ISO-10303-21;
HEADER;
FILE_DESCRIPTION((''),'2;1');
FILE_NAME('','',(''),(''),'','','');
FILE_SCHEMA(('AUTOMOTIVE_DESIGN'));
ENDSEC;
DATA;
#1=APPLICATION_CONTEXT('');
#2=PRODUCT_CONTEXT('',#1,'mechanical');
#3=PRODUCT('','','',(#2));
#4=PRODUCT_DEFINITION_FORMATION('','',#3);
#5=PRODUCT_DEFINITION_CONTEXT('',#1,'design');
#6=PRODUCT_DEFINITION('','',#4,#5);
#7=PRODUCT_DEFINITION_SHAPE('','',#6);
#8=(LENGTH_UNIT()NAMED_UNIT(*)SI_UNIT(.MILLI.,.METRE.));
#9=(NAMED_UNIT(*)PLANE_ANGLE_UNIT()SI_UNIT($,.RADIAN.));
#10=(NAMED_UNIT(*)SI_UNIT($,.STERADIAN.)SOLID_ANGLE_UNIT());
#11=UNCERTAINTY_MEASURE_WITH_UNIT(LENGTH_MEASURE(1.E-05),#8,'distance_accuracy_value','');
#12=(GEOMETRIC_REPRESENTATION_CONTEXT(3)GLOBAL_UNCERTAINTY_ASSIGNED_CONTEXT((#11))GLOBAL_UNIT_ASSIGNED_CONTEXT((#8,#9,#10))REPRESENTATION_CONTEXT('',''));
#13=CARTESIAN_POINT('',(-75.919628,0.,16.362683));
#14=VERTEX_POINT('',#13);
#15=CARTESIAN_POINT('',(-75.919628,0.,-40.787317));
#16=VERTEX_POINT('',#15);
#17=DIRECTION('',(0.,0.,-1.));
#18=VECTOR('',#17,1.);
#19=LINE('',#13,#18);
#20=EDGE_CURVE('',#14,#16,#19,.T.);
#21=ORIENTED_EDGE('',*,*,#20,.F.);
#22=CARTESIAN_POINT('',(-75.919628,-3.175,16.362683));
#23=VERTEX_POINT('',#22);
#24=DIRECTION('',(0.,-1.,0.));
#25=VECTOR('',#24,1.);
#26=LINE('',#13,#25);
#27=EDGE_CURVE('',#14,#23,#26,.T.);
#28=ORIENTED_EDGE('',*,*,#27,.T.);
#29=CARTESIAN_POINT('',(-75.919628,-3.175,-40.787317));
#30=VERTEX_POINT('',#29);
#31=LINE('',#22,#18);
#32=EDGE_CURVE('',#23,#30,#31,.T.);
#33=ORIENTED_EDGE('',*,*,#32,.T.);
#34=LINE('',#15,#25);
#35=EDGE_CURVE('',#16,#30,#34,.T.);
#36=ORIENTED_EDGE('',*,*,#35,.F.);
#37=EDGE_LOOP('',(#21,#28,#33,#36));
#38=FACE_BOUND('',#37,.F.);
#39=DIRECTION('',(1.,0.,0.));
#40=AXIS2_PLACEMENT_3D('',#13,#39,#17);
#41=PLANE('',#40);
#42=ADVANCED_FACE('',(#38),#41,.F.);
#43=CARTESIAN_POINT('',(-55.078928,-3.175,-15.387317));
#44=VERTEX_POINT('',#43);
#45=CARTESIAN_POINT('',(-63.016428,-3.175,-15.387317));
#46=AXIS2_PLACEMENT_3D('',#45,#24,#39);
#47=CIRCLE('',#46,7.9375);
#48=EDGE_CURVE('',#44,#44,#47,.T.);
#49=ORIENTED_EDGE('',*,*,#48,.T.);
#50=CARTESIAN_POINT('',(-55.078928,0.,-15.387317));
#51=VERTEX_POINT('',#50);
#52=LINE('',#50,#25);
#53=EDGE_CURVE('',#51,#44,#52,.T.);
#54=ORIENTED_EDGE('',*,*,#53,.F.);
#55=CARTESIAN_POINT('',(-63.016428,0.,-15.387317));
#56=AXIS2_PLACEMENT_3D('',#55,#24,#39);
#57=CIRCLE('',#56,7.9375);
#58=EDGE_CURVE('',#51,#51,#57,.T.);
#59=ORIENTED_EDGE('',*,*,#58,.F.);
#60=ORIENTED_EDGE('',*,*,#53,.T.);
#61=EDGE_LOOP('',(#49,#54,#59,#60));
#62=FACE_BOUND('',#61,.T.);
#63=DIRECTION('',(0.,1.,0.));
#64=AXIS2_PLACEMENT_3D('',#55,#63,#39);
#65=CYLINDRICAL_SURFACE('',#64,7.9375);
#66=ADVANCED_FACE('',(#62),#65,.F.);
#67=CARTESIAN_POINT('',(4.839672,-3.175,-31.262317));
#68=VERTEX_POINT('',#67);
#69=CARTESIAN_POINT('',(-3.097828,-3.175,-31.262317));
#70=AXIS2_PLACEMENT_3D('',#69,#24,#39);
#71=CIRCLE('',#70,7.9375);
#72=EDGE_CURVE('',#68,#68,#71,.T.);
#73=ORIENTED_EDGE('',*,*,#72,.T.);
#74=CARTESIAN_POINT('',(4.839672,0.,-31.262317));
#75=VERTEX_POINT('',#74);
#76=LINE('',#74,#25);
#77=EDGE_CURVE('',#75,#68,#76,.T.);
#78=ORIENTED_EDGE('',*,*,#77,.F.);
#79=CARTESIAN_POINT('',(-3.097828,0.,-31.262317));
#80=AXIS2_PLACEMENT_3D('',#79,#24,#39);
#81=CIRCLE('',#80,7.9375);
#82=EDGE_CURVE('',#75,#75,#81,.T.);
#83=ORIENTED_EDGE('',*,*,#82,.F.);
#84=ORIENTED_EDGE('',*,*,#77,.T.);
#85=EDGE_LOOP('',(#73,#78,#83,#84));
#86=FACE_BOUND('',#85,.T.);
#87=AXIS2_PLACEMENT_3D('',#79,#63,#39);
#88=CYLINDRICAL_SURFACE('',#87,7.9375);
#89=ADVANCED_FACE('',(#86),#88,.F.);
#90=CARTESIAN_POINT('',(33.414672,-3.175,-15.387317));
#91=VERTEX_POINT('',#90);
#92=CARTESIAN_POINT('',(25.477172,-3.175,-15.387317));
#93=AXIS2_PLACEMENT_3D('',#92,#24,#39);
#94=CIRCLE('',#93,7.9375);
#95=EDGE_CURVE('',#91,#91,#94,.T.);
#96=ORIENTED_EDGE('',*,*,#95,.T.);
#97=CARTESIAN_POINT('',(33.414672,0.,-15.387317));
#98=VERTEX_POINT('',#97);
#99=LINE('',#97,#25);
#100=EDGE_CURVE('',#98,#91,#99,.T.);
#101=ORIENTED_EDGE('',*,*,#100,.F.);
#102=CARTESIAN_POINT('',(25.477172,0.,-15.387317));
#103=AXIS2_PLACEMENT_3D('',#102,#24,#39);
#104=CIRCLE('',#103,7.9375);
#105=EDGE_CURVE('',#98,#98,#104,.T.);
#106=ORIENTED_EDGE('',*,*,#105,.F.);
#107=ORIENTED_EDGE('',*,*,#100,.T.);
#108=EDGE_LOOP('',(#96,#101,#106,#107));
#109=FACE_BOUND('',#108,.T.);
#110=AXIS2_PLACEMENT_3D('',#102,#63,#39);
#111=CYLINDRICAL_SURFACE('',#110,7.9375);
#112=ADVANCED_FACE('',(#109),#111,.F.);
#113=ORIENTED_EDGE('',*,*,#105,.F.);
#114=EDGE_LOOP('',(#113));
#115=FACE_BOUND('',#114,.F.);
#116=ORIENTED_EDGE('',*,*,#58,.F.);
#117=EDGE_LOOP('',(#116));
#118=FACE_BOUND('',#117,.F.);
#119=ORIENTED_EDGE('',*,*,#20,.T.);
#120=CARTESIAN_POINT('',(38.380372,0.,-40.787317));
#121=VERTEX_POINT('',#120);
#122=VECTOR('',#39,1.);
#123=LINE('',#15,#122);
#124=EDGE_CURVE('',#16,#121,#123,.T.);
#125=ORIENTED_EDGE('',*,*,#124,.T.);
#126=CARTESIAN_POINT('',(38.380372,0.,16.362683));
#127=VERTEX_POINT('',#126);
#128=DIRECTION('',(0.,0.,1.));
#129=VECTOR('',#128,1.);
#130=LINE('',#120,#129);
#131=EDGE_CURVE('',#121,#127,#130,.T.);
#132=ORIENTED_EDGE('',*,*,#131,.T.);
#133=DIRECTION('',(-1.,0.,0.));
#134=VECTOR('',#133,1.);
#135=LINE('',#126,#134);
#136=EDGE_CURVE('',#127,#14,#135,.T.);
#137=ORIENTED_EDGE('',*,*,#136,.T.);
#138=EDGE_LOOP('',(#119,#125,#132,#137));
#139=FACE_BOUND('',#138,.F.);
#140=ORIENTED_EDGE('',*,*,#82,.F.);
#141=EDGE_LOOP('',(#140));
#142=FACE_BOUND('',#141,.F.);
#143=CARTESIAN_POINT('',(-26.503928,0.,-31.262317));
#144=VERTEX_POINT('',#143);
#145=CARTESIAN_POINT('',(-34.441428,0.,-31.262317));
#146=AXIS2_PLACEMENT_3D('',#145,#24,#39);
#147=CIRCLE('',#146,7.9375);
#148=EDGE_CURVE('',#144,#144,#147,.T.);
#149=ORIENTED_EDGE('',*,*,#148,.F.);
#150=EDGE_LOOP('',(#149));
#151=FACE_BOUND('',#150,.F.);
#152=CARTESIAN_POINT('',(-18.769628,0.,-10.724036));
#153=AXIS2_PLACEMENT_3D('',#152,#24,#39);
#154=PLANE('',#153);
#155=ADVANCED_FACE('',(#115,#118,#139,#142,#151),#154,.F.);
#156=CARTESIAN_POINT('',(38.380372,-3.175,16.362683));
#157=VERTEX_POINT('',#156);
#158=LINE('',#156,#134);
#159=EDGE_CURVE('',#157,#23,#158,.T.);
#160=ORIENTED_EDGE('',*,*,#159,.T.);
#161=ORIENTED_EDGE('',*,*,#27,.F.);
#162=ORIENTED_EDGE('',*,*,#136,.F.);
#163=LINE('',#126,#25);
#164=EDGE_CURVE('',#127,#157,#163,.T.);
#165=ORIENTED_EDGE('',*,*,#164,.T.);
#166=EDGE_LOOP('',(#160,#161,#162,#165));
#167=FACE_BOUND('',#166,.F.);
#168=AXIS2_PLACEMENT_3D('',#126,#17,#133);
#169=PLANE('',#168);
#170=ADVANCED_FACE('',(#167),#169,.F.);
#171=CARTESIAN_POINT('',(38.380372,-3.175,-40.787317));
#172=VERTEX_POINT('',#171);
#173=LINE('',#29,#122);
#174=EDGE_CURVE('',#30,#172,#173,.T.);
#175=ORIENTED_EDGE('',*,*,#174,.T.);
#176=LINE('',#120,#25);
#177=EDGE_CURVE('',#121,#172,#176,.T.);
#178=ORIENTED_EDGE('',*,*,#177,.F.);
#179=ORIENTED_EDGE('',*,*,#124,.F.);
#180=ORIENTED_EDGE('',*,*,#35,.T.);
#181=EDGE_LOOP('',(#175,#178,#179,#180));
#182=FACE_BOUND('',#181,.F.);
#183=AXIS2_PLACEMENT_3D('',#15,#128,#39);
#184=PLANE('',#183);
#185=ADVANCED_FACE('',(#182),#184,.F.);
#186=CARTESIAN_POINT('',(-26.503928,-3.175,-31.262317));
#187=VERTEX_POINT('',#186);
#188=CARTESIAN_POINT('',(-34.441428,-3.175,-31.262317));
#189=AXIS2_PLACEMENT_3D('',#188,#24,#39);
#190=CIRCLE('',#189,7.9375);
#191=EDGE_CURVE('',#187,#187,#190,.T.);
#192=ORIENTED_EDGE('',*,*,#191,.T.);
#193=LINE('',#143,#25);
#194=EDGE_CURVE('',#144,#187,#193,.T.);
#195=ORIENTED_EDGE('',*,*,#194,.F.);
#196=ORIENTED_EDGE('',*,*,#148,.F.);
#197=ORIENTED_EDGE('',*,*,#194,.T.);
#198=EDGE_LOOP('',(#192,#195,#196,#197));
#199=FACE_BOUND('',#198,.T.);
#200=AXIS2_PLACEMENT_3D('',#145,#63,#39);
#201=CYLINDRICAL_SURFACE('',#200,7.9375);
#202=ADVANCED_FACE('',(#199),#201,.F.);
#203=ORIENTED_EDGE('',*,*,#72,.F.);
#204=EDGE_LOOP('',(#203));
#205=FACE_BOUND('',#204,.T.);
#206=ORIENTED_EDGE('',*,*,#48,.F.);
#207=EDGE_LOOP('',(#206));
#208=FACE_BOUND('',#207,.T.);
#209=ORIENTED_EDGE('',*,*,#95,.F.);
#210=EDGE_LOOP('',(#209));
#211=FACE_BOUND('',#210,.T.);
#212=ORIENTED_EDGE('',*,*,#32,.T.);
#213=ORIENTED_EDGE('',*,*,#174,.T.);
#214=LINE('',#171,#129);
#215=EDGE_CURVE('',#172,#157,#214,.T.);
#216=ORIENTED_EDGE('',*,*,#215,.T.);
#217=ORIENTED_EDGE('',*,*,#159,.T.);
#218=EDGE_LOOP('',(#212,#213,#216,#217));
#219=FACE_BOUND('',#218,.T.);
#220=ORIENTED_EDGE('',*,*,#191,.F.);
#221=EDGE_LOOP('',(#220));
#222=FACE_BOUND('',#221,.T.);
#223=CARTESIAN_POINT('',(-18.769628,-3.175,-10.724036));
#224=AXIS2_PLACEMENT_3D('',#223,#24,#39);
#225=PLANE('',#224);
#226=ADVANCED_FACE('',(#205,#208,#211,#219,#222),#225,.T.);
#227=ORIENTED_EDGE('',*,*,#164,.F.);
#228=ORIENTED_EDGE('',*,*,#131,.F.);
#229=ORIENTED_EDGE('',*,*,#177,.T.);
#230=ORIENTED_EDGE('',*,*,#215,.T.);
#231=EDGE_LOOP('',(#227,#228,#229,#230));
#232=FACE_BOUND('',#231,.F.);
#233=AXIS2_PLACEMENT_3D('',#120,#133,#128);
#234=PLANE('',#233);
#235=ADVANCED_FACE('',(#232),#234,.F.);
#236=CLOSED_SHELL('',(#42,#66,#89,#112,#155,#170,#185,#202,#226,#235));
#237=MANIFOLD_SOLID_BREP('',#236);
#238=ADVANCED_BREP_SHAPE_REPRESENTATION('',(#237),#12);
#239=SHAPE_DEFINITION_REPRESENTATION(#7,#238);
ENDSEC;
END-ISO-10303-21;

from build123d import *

# Parameters (mm, degrees)
F0_R     = 7.9375
F0_W     = 22.225
F0_H     = 15.875
F1_DEPTH = 3.175


with BuildPart() as f1:
    # F0 (on Front) → F1 (new body)
    with BuildSketch(Plane.XZ):
        Polygon((-75.919628, 16.362683), (-75.919628, -40.787317), (38.380372, -40.787317), (38.380372, 16.362683), (12.980372, 16.362683), (12.980372, 0.487683), (-9.244628, 0.487683), (-9.244628, 16.362683), (-28.294628, 16.362683), (-28.294628, 0.487683), (-50.519628, 0.487683), (-50.519628, 16.362683), align=None)
        with Locations((-34.441428, -31.262317)):
            Circle(F0_R, mode=Mode.SUBTRACT)
        with Locations((-63.016428, -15.387317)):
            Circle(F0_R, mode=Mode.SUBTRACT)
        with Locations((-3.097828, -31.262317)):
            Circle(F0_R, mode=Mode.SUBTRACT)
        with Locations((25.477172, -15.387317)):
            Circle(F0_R, mode=Mode.SUBTRACT)
        with Locations((-39.407128, 8.425183)):
            Rectangle(F0_W, F0_H)
        with Locations((1.867872, 8.425183)):
            Rectangle(F0_W, F0_H)
    extrude(amount=F1_DEPTH)


solid = f1.part
